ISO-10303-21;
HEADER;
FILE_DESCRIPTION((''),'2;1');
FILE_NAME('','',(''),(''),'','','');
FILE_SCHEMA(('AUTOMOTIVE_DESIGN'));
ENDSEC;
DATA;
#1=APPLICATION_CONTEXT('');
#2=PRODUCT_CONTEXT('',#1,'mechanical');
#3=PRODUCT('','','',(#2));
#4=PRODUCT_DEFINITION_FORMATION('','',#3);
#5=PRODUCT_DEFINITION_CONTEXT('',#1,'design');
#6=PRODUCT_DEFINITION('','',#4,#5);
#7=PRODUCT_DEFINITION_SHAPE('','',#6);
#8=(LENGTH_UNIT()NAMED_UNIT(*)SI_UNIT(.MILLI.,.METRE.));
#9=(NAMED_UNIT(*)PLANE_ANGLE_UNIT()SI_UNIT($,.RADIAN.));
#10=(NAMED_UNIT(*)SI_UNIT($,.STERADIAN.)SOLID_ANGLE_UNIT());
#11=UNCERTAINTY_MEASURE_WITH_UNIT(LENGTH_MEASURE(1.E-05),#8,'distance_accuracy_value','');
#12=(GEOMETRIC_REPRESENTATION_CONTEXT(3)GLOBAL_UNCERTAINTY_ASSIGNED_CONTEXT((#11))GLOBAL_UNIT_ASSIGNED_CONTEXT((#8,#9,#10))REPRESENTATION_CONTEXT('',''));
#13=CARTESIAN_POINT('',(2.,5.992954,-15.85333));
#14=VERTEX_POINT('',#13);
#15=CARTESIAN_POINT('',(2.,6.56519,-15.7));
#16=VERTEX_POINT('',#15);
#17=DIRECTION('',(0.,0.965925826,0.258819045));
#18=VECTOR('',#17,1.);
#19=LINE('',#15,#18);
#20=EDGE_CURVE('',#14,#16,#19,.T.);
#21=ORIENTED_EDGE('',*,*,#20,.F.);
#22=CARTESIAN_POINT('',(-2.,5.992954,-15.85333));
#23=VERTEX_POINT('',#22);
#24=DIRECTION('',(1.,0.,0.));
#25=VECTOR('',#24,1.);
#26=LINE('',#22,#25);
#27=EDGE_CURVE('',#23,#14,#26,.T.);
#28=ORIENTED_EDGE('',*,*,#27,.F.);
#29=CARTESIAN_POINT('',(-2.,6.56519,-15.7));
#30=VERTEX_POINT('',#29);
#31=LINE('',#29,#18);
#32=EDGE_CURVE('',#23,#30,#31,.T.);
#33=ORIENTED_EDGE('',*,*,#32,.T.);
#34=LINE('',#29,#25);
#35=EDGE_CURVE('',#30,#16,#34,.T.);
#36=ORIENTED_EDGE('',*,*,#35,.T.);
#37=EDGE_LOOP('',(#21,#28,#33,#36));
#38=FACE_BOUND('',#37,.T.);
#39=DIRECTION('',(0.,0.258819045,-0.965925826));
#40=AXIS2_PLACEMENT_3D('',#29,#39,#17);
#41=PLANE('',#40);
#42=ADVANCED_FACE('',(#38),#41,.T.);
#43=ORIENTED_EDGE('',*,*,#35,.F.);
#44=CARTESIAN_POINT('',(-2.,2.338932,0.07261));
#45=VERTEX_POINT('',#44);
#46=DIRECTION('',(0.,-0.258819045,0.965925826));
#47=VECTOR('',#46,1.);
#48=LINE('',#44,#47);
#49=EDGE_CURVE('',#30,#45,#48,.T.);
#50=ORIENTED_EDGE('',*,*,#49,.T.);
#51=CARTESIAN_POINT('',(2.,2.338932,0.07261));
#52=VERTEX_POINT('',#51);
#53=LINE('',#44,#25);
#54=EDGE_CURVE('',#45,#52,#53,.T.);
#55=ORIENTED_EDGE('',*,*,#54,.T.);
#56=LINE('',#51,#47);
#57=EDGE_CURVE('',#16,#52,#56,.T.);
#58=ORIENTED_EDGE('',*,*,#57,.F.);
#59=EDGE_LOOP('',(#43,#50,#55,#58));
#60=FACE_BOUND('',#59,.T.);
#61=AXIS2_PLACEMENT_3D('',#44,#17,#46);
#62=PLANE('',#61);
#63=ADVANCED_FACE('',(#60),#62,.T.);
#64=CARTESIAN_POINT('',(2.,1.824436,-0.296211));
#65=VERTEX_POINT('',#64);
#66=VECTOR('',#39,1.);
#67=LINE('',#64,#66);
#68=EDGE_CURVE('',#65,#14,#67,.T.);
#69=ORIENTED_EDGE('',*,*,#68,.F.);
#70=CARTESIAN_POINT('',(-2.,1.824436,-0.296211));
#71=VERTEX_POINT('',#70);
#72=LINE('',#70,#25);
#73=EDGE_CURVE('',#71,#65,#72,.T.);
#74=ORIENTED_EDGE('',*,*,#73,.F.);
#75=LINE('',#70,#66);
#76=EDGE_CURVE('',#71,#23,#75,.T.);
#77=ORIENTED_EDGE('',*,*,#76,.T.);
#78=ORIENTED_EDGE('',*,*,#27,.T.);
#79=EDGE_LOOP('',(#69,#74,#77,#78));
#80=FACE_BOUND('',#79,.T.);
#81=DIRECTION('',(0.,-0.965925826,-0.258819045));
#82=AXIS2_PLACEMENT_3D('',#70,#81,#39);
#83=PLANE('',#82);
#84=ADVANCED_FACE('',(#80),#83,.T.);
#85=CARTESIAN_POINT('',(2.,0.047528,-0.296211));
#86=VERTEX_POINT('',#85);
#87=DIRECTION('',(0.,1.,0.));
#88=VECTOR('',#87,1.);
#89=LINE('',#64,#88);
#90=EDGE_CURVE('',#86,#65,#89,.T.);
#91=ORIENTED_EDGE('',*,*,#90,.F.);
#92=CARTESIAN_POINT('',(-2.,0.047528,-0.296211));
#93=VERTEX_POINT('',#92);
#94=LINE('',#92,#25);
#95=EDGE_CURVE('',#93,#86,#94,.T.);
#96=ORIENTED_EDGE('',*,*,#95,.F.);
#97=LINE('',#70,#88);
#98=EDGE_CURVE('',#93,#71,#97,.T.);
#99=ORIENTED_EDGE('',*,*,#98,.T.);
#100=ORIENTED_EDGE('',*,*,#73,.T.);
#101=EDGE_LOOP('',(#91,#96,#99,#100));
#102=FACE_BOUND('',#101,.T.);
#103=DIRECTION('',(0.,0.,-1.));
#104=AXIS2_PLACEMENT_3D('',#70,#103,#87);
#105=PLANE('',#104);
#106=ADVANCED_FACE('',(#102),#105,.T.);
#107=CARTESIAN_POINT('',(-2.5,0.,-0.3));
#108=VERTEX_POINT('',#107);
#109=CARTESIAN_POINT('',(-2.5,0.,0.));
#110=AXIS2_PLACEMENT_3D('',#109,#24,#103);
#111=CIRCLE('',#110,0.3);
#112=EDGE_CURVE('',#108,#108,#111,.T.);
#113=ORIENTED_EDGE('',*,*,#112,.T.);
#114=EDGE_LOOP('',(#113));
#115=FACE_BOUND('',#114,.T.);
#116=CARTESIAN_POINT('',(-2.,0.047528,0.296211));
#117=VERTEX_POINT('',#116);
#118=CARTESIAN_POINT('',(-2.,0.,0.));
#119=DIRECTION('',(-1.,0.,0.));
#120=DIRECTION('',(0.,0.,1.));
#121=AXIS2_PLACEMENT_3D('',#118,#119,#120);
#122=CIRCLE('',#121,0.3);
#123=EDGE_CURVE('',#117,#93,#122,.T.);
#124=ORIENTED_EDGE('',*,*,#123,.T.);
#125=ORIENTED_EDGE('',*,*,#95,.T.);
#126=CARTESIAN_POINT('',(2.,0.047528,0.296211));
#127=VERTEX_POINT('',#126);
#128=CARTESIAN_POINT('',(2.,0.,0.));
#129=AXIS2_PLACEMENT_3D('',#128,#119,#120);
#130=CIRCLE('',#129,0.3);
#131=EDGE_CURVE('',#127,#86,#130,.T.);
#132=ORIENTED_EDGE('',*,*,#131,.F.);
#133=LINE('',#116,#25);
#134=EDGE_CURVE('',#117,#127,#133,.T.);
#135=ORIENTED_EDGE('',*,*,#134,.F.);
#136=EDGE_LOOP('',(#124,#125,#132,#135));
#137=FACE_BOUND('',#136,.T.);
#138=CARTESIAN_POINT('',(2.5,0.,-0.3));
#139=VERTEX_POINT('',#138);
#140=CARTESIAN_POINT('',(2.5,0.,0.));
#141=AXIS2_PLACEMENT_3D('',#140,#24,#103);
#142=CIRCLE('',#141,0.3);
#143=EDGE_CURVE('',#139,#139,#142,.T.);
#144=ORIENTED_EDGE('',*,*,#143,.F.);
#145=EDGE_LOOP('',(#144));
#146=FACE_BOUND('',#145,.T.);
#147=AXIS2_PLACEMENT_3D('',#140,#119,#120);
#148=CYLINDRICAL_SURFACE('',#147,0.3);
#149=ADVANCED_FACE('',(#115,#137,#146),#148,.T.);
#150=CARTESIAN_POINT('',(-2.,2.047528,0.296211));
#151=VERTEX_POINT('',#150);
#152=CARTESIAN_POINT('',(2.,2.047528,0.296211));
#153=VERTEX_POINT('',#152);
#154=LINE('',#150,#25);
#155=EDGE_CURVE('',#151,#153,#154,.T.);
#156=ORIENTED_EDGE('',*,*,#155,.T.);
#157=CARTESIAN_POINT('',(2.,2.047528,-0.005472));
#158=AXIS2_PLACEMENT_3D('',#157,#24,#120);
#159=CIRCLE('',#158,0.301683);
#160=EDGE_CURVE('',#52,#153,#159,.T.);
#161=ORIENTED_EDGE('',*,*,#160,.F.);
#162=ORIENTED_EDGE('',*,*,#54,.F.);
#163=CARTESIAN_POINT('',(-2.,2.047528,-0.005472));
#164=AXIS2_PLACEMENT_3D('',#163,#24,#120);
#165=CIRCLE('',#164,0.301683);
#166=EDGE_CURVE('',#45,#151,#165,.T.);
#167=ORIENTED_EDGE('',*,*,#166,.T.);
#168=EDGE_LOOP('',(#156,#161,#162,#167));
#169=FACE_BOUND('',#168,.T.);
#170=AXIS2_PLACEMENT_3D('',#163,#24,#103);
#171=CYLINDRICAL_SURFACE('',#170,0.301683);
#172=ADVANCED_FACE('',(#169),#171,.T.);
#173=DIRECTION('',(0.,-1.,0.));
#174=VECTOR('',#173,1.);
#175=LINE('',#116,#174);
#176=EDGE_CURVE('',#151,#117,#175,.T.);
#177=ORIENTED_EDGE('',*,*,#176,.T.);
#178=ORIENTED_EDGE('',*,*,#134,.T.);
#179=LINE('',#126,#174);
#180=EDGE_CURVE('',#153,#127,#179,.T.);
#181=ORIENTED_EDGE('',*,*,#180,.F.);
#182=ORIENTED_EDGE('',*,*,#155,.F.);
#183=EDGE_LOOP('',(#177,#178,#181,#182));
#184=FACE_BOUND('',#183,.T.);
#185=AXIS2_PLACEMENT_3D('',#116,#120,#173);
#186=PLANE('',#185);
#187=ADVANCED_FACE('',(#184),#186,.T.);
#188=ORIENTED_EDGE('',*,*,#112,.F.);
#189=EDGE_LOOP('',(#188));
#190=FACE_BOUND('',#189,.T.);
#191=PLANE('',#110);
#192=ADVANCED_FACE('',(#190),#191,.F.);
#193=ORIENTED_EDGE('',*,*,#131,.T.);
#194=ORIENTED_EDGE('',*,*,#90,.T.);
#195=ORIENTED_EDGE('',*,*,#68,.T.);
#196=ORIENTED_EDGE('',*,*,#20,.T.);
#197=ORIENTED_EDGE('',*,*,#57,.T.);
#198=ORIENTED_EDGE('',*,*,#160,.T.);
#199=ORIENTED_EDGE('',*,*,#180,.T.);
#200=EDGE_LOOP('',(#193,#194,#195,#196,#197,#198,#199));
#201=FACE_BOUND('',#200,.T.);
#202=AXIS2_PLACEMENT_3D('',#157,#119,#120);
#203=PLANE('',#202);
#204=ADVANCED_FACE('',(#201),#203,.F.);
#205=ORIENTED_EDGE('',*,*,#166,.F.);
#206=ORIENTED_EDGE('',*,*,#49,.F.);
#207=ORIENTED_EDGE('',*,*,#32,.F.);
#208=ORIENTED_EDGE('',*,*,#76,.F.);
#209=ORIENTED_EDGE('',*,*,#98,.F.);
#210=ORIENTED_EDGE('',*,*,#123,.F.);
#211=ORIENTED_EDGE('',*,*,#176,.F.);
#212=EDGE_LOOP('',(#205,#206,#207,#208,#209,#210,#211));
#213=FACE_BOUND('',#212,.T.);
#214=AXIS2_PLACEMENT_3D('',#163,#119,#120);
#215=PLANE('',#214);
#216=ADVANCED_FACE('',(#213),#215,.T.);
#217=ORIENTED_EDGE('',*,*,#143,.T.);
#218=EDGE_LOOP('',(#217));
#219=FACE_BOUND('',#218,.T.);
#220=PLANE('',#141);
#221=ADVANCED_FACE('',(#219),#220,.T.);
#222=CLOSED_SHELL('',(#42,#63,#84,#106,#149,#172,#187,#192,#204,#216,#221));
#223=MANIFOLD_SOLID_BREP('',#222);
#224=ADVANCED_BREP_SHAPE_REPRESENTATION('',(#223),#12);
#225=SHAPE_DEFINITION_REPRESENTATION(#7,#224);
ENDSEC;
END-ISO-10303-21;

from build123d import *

# Parameters (mm, degrees)
SKETCH1_R                = 0.3
BOSS_EXTRUDE1_DEPTH      = 2.5
BOSS_EXTRUDE2_DEPTH      = 2
BOSS_EXTRUDE2_DEPTH_BACK = 2


with BuildPart() as part:
    # Sketch1 → Boss-Extrude1 (new, symmetric)
    with BuildSketch(Plane(origin=(0, 0, 0), x_dir=(0, 0, -1), z_dir=(1, 0, 0))):
        Circle(SKETCH1_R)
    extrude(amount=BOSS_EXTRUDE1_DEPTH, both=True)

    # Sketch2 → Boss-Extrude2 (add, two sides: drawn at the far end of the back side and taken through both)
    with BuildSketch(Plane(origin=(0, 0, 0), x_dir=(0, 0, -1), z_dir=(1, 0, 0)).offset(-BOSS_EXTRUDE2_DEPTH_BACK)):
        with BuildLine():
            Line((-0.296211166, 0.047528362), (-0.296211166, 2.047528362))
            ThreePointArc((-0.296211166, 2.047528362), (-0.233869415, 2.231181239), (-0.07260959, 2.338931609))
            Line((-0.07260959, 2.338931609), (15.7, 6.565189611))
            Line((15.7, 6.565189611), (15.853330182, 5.992953581))
            Line((15.853330182, 5.992953581), (0.296211166, 1.824436104))
            Line((0.296211166, 1.824436104), (0.296211166, 0.047528362))
            Line((0.296211166, 0.047528362), (-0.296211166, 0.047528362))
        make_face()
    extrude(amount=BOSS_EXTRUDE2_DEPTH + BOSS_EXTRUDE2_DEPTH_BACK)


solid = part.part
